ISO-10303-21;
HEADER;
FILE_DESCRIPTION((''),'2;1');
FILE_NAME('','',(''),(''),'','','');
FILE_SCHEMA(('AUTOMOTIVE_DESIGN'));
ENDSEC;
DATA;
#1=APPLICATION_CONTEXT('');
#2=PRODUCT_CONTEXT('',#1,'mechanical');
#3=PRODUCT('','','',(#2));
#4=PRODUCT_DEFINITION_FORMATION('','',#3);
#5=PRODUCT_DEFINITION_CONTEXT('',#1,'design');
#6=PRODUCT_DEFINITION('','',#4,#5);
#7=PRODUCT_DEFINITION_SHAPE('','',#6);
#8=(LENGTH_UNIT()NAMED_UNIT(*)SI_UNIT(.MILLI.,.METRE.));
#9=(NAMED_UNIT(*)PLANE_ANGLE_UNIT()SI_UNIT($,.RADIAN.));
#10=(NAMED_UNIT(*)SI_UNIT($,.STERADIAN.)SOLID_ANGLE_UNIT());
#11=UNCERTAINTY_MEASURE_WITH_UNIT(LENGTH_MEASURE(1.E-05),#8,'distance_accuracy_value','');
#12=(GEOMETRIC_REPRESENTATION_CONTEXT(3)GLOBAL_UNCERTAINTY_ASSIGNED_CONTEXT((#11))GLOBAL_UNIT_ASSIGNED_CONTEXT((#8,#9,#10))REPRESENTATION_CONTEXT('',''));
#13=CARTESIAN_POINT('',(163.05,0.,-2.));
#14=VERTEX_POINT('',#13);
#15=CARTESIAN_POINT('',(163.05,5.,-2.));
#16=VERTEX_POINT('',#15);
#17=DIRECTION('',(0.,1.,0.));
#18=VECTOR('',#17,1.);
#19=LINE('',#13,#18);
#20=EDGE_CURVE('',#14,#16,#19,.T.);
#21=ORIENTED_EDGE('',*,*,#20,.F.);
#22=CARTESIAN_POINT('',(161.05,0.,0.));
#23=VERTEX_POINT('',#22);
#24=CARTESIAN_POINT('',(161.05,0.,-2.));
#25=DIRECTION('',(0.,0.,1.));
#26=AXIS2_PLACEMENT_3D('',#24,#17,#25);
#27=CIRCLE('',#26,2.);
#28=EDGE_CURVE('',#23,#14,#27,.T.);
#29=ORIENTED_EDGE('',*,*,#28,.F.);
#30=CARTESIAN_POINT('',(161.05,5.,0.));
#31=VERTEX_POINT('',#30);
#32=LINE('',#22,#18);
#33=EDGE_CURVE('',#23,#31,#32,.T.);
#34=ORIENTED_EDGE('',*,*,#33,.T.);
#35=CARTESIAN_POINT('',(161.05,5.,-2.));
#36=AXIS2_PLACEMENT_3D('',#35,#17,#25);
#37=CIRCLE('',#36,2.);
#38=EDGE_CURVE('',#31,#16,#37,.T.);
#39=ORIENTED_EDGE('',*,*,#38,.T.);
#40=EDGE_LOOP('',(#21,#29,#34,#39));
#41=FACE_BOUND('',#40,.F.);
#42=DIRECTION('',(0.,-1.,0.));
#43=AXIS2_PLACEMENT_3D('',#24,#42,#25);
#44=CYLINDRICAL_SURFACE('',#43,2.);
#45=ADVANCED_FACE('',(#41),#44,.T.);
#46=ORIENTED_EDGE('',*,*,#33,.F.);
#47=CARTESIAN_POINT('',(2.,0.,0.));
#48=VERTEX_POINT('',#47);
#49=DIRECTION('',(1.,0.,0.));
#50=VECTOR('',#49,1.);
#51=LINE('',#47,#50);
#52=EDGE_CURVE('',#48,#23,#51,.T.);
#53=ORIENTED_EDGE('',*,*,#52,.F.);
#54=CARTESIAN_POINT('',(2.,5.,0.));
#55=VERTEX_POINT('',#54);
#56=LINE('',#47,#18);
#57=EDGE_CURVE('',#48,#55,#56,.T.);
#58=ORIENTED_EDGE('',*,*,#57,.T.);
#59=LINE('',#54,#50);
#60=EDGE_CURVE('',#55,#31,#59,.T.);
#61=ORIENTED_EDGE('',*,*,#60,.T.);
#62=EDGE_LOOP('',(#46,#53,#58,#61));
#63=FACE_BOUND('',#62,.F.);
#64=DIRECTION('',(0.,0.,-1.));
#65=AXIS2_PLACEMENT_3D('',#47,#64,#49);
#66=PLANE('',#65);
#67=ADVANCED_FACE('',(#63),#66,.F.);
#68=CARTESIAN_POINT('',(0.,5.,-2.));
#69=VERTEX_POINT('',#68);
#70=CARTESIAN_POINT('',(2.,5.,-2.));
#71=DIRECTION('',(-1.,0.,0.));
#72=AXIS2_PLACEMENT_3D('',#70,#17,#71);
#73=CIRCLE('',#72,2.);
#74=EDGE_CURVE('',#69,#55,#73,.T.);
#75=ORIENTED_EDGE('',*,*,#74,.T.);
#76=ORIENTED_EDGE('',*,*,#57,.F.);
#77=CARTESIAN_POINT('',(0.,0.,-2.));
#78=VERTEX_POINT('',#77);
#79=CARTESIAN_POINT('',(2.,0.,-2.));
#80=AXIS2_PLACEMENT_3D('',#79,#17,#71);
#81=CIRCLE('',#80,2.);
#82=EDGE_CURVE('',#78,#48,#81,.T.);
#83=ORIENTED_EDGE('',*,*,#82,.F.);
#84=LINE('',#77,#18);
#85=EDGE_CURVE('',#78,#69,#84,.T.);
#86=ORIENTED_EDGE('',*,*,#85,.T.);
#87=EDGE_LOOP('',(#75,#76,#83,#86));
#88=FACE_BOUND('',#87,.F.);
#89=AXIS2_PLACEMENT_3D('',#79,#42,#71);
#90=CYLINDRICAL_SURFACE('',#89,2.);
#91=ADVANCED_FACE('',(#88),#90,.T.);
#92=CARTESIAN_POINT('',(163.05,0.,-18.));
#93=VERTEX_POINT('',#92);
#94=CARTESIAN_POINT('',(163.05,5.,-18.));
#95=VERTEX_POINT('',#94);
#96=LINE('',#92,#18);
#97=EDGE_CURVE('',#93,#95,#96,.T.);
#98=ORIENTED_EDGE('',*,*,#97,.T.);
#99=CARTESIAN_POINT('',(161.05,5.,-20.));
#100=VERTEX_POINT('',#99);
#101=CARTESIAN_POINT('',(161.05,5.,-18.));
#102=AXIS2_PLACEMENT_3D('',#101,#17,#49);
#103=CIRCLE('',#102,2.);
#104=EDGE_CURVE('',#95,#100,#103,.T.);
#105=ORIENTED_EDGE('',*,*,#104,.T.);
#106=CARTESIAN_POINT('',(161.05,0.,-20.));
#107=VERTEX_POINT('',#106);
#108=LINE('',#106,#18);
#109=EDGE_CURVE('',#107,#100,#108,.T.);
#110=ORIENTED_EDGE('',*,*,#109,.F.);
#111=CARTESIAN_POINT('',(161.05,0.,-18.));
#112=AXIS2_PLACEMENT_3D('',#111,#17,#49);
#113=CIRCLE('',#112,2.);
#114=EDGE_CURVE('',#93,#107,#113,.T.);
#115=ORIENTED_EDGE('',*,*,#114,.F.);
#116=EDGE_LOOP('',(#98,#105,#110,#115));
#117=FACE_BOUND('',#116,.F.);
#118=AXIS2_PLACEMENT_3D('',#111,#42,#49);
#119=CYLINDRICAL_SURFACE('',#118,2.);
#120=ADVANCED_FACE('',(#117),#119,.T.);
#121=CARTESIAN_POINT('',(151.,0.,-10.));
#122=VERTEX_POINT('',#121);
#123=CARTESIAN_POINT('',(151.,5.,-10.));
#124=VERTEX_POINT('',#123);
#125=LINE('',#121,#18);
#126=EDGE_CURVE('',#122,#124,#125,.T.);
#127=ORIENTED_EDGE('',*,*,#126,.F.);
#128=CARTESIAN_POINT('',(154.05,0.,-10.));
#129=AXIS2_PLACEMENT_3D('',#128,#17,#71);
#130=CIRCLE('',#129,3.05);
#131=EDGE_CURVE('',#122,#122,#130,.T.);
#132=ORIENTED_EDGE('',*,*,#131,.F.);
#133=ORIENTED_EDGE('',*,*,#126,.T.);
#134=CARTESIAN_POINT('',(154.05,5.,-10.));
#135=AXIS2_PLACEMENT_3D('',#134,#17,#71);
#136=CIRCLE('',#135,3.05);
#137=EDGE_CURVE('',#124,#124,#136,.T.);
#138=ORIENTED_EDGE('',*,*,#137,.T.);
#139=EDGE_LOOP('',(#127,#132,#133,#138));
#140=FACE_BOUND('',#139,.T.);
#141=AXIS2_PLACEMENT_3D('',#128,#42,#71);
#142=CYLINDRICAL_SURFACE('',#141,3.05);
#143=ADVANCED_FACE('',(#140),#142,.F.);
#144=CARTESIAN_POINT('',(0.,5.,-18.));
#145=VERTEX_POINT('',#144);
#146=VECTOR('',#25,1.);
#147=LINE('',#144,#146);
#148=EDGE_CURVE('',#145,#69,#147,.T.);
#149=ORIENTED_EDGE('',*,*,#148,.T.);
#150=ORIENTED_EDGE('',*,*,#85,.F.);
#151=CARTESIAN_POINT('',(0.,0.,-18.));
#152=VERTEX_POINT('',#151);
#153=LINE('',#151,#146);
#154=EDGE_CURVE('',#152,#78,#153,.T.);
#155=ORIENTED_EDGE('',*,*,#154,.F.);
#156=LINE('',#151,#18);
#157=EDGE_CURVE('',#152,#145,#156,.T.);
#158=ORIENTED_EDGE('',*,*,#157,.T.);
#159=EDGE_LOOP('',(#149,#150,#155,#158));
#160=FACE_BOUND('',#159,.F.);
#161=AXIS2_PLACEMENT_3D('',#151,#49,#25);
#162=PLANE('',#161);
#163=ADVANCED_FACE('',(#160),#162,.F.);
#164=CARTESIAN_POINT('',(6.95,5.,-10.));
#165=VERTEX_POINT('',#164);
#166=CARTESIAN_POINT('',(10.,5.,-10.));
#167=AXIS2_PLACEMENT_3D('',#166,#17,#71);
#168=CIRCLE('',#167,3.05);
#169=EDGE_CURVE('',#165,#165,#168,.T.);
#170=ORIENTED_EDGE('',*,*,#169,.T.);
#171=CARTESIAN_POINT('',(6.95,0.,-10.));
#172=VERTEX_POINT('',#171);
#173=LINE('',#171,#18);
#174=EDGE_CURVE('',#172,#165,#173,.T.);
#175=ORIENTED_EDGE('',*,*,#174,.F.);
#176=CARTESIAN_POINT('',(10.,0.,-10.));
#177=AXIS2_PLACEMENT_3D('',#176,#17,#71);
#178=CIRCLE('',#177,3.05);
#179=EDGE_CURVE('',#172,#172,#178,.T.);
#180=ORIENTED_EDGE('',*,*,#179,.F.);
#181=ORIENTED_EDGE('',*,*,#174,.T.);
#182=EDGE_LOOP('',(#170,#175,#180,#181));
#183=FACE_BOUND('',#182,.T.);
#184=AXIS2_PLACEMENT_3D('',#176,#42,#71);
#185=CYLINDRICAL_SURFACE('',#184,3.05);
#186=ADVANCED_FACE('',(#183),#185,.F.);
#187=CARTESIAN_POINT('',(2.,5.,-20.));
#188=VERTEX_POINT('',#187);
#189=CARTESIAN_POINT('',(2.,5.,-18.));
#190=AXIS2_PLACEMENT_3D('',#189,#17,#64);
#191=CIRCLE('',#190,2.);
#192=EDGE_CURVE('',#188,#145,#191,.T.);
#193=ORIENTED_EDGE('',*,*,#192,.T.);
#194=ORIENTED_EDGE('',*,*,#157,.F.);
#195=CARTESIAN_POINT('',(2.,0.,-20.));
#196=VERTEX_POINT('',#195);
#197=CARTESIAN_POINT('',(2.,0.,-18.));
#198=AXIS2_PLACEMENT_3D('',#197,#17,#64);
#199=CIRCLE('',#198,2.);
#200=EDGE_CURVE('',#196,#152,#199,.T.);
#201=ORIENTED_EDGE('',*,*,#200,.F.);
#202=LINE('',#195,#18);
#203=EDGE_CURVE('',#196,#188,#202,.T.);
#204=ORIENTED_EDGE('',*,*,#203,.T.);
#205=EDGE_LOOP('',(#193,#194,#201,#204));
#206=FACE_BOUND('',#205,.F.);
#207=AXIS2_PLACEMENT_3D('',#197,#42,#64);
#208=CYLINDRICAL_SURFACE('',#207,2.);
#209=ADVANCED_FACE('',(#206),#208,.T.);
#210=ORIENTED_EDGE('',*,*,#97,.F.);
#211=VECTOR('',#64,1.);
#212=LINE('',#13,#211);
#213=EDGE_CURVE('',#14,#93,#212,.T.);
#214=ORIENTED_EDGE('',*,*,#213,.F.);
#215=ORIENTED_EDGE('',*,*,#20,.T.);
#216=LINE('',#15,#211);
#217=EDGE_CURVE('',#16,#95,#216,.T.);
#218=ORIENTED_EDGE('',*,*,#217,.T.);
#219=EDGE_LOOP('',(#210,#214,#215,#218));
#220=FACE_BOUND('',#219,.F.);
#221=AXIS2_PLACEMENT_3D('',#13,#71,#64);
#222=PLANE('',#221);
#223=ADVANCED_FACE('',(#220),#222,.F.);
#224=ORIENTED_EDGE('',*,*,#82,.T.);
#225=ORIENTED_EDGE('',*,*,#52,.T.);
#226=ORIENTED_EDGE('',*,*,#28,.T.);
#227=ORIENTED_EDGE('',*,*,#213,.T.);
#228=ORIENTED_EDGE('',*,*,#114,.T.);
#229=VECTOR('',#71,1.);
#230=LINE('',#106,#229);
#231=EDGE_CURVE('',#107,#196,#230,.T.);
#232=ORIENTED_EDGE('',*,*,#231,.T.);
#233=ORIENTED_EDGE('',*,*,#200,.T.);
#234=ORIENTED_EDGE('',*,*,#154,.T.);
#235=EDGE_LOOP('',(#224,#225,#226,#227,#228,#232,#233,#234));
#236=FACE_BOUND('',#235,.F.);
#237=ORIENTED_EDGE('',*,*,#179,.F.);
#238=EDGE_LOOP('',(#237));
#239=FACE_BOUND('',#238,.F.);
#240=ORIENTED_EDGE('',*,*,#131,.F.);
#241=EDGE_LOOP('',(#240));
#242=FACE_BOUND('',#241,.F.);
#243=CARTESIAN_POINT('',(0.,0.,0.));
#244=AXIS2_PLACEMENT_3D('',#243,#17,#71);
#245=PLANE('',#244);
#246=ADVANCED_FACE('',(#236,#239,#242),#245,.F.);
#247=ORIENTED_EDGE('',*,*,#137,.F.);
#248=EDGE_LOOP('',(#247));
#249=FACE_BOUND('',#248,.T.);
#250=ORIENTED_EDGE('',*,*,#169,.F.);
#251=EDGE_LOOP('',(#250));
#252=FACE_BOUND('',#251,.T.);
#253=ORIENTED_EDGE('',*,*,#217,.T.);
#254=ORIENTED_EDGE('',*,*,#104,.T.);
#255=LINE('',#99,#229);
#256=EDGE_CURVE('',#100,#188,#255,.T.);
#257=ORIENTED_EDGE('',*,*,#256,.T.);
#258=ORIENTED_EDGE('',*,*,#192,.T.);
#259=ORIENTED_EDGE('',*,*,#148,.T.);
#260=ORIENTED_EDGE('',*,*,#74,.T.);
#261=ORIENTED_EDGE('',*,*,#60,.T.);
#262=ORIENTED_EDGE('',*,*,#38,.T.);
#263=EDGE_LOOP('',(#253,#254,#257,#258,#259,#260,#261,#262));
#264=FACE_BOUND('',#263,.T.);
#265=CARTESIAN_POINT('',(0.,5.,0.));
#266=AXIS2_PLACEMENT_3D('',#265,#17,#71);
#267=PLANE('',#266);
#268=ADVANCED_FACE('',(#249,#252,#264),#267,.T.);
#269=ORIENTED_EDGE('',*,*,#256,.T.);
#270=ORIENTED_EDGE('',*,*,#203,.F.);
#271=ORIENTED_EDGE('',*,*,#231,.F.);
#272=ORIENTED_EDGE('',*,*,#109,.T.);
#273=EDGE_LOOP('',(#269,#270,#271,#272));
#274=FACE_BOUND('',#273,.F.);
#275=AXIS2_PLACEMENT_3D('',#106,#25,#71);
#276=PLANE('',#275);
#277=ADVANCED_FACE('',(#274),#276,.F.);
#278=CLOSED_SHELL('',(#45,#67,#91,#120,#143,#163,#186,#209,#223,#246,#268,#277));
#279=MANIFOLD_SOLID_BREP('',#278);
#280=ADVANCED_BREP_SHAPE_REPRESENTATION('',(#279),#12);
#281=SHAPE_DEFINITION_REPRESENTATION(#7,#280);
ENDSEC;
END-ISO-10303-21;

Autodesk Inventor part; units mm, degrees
ref_plane "YZ Plane" through (0, 0, 0) normal (1, 0, 0) x (0, 1, 0)
ref_plane "XZ Plane" through (0, 0, 0) normal (0, 1, 0) x (-1, 0, 0)
ref_plane "XY Plane" through (0, 0, 0) normal (0, 0, 1) x (1, 0, 0)
sketch "Skizze1" plane through (0, 0, 0) normal (0, 1, 0) x (-1, 0, 0)
  line L0 (-2, 0) -> (-161.05, 0)
  line L1 (-163.05, -2) -> (-163.05, -18)
  line L2 (-161.05, -20) -> (-2, -20)
  line L3 (0, -18) -> (0, -2)
  circle A0 centre (-154.05, -10) radius 3.05
  line L4 (0, -10) -> (-163.05, -10) construction
  line L5 (-163.05, -20) -> (-164.05, -20) construction
  line L6 (-164.05, -20) -> (-164.05, -1) construction
  line L7 (-164.05, -1) -> (-163.05, -1) construction
  line L8 (-163.05, -1) -> (-163.05, -20) construction
  line L9 (-164.05, -20) -> (-169.05, -20) construction
  line L10 (-169.05, -20) -> (-169.05, -1) construction
  line L11 (-169.05, -1) -> (-164.05, -1) construction
  line L12 (-164.05, -1) -> (-164.05, -20) construction
  circle A1 centre (-10, -10) radius 3.05
  line L13 (-13.05, -20) -> (-13.05, 0) construction
  arc A2 (-2, -20) -> (0, -18) centre (-2, -18) ccw
  arc A3 (0, -2) -> (-2, 0) centre (-2, -2) ccw
  arc A4 (-163.05, -18) -> (-161.05, -20) centre (-161.05, -18) ccw
  arc A5 (-161.05, 0) -> (-163.05, -2) centre (-161.05, -2) ccw
  point P0 (0, 0)
  point P1 (0, -20)
  dimension "d0" = 20
  dimension "d2" = 5
  dimension "d3" = 1
  dimension "d5" = 10
  dimension "d6" = 6.1
  dimension "d7" = 156
  dimension "d8" = 10
  dimension "d9" = 6.1
  dimension "d10" = 2
extrude "Extrusion1" add sketch "Skizze1" along normal blind 5
properties part number "Slider_Winkel_Abstandshalter"
